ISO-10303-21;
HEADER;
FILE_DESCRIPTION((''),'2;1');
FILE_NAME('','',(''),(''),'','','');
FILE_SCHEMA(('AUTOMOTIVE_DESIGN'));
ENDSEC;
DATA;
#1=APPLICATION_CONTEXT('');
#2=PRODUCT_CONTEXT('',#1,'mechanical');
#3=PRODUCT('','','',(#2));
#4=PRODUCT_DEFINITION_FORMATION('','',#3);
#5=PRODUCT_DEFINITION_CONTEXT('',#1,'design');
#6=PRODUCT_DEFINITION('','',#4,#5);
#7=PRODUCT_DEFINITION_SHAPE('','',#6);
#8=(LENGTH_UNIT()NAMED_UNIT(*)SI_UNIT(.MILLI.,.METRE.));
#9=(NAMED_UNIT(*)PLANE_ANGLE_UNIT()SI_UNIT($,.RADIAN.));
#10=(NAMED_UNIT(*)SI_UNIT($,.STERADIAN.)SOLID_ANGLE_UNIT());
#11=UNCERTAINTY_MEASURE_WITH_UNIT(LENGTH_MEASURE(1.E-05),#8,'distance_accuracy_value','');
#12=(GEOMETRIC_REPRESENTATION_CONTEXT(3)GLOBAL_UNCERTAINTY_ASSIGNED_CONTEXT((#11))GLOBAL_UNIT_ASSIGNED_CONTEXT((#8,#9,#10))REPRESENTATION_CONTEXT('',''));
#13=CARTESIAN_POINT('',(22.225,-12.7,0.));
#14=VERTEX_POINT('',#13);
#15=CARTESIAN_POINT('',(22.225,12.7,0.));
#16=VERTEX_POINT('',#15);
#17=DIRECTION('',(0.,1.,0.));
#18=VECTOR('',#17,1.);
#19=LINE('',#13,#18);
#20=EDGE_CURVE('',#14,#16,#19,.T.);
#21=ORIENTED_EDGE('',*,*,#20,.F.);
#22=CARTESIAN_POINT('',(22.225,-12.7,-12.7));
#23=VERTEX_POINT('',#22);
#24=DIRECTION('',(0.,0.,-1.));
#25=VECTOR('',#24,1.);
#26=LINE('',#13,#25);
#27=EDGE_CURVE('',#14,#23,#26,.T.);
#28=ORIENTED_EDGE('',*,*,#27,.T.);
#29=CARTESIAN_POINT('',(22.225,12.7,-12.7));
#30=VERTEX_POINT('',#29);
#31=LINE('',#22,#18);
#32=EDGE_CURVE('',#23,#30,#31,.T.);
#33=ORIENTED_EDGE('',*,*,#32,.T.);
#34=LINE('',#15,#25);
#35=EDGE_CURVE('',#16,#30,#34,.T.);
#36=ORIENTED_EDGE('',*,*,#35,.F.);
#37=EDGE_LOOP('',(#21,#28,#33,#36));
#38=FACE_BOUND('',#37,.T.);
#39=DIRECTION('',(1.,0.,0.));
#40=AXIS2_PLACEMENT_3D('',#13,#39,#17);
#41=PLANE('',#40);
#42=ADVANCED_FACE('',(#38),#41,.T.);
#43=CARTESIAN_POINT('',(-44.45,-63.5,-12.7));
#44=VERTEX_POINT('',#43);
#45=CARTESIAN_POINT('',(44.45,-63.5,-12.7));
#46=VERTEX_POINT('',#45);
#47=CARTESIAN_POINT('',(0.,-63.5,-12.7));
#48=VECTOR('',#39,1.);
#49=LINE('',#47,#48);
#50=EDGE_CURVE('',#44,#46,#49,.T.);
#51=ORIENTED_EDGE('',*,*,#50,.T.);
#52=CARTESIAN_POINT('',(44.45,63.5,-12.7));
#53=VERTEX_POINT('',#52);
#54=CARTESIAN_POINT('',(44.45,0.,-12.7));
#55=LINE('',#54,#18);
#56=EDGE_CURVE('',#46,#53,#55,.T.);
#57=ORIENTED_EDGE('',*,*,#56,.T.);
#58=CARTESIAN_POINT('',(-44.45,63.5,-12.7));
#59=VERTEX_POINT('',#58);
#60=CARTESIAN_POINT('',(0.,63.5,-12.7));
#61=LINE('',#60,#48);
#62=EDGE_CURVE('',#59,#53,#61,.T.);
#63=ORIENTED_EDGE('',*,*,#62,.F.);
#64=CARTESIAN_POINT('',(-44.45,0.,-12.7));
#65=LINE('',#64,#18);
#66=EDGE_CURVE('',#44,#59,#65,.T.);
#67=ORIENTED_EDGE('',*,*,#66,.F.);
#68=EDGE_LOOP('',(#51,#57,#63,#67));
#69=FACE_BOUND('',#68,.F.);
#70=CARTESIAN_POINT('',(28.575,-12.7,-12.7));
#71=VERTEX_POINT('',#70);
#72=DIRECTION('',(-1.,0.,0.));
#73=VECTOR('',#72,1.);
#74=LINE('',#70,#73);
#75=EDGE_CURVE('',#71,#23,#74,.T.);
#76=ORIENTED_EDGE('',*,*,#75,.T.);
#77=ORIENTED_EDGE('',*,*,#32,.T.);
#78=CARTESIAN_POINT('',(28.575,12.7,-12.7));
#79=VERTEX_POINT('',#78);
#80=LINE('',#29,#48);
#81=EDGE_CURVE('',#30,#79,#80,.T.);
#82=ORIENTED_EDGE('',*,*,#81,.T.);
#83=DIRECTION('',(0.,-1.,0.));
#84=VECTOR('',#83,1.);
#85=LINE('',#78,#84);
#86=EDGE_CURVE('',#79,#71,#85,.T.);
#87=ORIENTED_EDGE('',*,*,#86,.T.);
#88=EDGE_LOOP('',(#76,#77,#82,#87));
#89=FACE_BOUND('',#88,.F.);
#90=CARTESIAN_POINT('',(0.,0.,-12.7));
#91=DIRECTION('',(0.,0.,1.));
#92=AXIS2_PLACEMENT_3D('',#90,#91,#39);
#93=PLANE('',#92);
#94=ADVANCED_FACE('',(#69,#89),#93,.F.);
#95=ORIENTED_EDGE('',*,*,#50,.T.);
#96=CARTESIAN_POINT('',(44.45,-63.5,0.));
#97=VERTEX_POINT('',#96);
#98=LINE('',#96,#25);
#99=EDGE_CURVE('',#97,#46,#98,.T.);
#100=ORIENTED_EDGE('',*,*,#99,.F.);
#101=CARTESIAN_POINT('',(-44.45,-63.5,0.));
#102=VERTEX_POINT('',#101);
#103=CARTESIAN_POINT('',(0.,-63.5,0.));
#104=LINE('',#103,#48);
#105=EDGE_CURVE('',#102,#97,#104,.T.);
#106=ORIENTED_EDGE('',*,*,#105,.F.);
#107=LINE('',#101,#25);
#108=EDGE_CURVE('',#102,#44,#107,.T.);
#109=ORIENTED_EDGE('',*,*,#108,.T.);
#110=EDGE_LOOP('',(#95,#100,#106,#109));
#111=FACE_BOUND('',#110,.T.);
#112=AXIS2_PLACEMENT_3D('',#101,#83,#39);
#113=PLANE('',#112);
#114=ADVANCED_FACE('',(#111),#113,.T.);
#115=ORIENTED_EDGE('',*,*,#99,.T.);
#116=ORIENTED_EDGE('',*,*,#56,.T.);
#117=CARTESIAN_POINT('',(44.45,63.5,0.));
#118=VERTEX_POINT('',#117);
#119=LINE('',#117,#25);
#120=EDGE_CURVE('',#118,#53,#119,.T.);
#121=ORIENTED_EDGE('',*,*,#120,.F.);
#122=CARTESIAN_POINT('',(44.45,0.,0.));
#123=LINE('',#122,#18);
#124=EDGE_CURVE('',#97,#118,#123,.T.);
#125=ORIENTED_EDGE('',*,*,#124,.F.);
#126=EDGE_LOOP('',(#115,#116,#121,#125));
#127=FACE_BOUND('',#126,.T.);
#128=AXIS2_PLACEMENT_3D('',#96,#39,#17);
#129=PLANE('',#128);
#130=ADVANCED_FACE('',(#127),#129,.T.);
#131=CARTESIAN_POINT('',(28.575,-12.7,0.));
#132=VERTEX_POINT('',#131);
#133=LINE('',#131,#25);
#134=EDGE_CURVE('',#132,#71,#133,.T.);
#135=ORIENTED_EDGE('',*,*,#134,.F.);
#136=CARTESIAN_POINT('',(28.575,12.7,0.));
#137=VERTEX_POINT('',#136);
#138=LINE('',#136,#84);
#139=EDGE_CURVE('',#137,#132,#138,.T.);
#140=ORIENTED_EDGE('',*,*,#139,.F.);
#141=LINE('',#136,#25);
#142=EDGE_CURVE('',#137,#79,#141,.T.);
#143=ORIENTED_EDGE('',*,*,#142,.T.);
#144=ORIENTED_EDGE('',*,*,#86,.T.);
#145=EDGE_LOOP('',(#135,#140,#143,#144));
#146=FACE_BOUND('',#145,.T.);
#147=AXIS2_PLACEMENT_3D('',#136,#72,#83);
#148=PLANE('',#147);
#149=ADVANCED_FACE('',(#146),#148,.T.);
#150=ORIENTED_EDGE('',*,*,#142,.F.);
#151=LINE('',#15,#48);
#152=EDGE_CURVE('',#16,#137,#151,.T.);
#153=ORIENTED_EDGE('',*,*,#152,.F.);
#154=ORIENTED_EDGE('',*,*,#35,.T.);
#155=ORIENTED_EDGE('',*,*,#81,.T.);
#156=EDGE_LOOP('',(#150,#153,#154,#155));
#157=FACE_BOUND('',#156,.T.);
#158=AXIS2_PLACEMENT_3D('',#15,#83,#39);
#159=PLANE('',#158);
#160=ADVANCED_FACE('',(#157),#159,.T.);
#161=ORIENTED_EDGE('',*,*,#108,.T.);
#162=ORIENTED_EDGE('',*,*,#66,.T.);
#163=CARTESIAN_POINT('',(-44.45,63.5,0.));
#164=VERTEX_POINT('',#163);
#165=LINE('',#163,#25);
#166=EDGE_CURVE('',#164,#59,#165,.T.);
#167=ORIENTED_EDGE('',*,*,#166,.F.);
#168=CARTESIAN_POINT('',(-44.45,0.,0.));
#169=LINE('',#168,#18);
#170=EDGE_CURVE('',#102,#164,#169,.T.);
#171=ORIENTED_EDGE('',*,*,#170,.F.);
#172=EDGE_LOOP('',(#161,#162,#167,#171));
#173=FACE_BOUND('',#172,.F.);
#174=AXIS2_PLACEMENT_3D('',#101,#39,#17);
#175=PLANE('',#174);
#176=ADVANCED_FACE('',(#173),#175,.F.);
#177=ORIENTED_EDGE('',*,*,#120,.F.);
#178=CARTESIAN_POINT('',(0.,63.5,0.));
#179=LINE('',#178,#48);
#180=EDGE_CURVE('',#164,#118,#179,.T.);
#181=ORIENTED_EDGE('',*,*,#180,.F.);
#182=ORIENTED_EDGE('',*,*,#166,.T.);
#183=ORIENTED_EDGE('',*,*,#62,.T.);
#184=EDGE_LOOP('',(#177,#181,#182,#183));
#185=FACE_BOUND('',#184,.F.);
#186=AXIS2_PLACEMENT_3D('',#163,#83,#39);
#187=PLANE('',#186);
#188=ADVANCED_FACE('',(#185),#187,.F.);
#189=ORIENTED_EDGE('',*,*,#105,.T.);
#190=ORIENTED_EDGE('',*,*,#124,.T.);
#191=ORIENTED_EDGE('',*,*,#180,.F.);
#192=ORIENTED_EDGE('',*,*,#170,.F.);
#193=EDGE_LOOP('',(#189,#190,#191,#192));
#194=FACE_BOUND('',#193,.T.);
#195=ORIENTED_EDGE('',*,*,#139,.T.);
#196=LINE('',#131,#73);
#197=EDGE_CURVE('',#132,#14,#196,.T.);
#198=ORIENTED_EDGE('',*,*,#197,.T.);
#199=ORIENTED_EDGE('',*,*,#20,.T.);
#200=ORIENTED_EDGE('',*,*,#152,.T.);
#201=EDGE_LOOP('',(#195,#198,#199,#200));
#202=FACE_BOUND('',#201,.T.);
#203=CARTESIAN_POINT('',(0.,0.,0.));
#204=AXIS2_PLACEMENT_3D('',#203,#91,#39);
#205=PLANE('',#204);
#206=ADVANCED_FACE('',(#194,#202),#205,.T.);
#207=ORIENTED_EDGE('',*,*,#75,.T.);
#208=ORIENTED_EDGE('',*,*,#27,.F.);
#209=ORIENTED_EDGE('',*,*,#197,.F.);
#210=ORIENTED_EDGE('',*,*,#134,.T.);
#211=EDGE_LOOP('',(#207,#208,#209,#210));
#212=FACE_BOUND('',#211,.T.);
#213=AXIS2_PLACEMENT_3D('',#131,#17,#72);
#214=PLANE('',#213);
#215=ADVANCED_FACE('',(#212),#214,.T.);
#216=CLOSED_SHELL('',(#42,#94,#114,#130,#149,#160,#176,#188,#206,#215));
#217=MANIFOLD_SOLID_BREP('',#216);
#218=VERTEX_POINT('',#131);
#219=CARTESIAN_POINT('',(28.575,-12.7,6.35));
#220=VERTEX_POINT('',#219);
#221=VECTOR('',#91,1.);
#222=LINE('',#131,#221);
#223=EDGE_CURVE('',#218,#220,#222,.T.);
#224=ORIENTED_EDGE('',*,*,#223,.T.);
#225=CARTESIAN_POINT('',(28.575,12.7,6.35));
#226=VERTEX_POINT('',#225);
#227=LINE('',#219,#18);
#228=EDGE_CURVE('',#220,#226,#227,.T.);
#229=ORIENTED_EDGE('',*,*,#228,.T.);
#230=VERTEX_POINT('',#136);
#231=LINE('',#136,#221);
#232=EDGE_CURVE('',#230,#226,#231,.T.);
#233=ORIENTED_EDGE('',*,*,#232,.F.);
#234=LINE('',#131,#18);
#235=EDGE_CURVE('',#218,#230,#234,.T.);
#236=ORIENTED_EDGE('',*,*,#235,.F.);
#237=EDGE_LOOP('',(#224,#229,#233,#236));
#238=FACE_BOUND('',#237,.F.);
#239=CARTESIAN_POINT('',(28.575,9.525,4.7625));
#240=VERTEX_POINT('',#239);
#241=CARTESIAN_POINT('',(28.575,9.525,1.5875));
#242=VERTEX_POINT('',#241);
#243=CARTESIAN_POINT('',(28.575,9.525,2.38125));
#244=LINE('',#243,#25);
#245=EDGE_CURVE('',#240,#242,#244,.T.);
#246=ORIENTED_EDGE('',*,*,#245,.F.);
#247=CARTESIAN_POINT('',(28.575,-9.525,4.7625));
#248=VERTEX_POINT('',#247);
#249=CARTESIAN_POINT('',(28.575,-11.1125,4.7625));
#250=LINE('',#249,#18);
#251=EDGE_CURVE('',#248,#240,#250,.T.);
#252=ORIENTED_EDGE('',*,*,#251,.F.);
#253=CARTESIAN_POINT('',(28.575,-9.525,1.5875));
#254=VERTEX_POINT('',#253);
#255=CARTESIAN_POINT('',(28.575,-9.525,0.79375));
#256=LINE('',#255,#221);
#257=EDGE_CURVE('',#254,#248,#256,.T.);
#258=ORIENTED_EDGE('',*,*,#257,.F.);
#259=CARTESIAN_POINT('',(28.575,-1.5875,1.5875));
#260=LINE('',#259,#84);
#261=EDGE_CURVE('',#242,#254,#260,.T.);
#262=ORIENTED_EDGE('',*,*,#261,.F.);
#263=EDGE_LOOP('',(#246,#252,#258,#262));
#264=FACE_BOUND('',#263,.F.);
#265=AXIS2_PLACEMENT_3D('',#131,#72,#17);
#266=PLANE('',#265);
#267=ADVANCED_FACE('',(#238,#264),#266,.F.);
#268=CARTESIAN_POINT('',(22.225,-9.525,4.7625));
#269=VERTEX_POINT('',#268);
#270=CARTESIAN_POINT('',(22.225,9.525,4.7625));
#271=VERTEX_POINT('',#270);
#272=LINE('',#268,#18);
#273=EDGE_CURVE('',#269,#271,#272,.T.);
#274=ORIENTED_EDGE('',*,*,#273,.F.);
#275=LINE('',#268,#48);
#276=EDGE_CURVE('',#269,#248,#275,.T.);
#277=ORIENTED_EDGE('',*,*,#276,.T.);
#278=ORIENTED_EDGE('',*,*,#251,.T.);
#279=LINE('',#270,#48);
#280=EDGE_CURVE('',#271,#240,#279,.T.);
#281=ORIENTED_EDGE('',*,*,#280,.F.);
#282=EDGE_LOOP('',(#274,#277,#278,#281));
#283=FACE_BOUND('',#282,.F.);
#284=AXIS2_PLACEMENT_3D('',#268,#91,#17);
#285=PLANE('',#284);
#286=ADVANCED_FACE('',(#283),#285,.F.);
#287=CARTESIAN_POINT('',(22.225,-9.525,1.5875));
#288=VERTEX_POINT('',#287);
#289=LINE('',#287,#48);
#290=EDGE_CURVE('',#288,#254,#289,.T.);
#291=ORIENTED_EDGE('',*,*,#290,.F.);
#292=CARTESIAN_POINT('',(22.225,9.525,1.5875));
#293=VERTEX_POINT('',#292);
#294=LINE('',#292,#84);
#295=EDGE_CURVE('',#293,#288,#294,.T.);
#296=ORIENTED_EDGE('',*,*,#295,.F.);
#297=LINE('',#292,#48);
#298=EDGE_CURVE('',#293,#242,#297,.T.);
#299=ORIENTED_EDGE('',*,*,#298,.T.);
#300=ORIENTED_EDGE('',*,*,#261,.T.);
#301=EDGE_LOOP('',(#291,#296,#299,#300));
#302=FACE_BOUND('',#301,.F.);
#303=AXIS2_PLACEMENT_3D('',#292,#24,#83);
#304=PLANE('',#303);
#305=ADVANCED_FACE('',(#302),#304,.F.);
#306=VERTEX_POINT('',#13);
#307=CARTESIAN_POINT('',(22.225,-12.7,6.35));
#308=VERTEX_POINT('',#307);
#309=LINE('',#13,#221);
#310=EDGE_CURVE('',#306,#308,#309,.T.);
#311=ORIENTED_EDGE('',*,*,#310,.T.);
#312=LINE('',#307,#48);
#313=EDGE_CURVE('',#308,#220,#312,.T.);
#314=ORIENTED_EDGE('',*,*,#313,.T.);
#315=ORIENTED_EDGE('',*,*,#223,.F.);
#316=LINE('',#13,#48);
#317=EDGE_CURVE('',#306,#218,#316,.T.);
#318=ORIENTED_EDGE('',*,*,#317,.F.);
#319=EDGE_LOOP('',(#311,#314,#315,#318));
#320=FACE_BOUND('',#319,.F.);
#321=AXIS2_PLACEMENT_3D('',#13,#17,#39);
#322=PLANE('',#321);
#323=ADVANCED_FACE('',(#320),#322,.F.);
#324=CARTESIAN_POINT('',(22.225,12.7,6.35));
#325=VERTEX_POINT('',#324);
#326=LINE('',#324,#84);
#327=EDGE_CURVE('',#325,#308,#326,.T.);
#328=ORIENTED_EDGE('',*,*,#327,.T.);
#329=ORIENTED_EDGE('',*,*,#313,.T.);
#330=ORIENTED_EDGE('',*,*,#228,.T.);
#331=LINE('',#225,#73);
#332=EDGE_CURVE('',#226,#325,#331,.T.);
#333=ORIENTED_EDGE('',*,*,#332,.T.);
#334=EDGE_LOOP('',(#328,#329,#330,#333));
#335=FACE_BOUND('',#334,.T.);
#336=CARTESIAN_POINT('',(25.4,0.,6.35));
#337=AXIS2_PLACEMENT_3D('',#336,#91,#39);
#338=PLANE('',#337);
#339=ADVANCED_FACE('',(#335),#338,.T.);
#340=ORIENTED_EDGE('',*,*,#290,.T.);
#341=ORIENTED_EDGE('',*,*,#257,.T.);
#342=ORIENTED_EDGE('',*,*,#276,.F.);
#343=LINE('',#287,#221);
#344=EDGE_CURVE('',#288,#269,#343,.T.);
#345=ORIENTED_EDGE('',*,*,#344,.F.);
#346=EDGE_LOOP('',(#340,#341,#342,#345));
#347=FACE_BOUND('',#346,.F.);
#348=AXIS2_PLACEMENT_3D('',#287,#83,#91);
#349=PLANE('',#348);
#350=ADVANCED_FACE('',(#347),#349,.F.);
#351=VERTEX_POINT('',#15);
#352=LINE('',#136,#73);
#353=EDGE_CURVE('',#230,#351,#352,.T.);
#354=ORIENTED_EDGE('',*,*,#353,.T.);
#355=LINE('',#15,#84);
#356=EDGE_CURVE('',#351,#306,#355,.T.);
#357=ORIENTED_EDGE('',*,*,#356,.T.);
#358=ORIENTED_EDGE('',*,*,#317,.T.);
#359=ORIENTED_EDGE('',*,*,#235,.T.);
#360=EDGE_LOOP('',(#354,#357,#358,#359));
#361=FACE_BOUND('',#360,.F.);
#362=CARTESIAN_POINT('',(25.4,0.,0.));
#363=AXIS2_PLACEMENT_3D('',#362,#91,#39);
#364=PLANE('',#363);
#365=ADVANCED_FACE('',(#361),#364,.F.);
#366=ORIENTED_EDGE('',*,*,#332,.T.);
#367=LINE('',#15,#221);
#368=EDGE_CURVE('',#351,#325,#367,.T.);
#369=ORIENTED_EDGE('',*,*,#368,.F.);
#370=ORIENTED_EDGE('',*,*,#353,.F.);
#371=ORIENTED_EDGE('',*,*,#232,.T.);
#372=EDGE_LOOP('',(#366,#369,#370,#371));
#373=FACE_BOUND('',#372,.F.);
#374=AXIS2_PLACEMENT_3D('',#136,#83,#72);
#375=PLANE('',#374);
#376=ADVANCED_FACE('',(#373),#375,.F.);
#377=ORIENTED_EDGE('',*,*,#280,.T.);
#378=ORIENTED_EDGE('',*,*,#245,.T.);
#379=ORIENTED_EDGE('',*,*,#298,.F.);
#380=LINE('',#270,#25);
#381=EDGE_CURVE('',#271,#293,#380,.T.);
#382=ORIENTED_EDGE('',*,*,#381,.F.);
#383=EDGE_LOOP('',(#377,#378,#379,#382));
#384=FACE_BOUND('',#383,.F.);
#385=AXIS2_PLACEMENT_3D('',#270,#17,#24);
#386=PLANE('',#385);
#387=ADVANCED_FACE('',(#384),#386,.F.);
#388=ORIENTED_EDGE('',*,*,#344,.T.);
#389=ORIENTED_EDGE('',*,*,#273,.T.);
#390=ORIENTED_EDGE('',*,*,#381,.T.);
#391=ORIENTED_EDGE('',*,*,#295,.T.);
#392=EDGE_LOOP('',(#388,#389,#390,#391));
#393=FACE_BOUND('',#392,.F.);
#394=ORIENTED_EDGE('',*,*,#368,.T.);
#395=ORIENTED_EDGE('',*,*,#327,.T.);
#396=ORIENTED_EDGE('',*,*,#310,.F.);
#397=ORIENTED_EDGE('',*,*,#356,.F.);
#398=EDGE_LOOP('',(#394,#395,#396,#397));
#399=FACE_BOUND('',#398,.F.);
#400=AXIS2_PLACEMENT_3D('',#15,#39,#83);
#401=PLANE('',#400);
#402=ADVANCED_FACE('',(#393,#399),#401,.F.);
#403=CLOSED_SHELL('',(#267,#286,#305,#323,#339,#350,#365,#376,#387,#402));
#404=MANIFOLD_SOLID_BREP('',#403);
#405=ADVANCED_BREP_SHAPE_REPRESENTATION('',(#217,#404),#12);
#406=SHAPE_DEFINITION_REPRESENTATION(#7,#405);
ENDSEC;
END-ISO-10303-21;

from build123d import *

# Parameters (mm, degrees)
F0_W     = 88.9
F0_H     = 127
F1_DEPTH = 12.7
F2_DEPTH = 6.35
F4_DEPTH = 25.4


with BuildPart() as f1:
    # F0 (on Top) → F1 (new body)
    with BuildSketch(Plane.XY):
        Rectangle(F0_W, F0_H)
        Polygon((28.575, 12.7), (28.575, -12.7), (22.225, -12.7), (22.225, 0), (22.225, 12.7), align=None, mode=Mode.SUBTRACT)
    extrude(amount=-F1_DEPTH)


with BuildPart() as f2:
    # F0 (on Top) → F2 (new body)
    with BuildSketch(Plane.XY):
        Polygon((22.225, -12.7), (28.575, -12.7), (28.575, 12.7), (22.225, 12.7), (22.225, 0), align=None)
    extrude(amount=F2_DEPTH)

    # F3 (on face) → F4 (cut)
    with BuildSketch(Plane(origin=(22.225, 0, 0), x_dir=(0, -1, 0), z_dir=(-1, 0, 0))):
        Polygon((9.525, 1.5875), (9.525, 4.7625), (-9.525, 4.7625), (-9.525, 1.5875), (0, 1.5875), align=None)
    extrude(amount=-F4_DEPTH, mode=Mode.SUBTRACT)


solid = Compound([f1.part, f2.part])
